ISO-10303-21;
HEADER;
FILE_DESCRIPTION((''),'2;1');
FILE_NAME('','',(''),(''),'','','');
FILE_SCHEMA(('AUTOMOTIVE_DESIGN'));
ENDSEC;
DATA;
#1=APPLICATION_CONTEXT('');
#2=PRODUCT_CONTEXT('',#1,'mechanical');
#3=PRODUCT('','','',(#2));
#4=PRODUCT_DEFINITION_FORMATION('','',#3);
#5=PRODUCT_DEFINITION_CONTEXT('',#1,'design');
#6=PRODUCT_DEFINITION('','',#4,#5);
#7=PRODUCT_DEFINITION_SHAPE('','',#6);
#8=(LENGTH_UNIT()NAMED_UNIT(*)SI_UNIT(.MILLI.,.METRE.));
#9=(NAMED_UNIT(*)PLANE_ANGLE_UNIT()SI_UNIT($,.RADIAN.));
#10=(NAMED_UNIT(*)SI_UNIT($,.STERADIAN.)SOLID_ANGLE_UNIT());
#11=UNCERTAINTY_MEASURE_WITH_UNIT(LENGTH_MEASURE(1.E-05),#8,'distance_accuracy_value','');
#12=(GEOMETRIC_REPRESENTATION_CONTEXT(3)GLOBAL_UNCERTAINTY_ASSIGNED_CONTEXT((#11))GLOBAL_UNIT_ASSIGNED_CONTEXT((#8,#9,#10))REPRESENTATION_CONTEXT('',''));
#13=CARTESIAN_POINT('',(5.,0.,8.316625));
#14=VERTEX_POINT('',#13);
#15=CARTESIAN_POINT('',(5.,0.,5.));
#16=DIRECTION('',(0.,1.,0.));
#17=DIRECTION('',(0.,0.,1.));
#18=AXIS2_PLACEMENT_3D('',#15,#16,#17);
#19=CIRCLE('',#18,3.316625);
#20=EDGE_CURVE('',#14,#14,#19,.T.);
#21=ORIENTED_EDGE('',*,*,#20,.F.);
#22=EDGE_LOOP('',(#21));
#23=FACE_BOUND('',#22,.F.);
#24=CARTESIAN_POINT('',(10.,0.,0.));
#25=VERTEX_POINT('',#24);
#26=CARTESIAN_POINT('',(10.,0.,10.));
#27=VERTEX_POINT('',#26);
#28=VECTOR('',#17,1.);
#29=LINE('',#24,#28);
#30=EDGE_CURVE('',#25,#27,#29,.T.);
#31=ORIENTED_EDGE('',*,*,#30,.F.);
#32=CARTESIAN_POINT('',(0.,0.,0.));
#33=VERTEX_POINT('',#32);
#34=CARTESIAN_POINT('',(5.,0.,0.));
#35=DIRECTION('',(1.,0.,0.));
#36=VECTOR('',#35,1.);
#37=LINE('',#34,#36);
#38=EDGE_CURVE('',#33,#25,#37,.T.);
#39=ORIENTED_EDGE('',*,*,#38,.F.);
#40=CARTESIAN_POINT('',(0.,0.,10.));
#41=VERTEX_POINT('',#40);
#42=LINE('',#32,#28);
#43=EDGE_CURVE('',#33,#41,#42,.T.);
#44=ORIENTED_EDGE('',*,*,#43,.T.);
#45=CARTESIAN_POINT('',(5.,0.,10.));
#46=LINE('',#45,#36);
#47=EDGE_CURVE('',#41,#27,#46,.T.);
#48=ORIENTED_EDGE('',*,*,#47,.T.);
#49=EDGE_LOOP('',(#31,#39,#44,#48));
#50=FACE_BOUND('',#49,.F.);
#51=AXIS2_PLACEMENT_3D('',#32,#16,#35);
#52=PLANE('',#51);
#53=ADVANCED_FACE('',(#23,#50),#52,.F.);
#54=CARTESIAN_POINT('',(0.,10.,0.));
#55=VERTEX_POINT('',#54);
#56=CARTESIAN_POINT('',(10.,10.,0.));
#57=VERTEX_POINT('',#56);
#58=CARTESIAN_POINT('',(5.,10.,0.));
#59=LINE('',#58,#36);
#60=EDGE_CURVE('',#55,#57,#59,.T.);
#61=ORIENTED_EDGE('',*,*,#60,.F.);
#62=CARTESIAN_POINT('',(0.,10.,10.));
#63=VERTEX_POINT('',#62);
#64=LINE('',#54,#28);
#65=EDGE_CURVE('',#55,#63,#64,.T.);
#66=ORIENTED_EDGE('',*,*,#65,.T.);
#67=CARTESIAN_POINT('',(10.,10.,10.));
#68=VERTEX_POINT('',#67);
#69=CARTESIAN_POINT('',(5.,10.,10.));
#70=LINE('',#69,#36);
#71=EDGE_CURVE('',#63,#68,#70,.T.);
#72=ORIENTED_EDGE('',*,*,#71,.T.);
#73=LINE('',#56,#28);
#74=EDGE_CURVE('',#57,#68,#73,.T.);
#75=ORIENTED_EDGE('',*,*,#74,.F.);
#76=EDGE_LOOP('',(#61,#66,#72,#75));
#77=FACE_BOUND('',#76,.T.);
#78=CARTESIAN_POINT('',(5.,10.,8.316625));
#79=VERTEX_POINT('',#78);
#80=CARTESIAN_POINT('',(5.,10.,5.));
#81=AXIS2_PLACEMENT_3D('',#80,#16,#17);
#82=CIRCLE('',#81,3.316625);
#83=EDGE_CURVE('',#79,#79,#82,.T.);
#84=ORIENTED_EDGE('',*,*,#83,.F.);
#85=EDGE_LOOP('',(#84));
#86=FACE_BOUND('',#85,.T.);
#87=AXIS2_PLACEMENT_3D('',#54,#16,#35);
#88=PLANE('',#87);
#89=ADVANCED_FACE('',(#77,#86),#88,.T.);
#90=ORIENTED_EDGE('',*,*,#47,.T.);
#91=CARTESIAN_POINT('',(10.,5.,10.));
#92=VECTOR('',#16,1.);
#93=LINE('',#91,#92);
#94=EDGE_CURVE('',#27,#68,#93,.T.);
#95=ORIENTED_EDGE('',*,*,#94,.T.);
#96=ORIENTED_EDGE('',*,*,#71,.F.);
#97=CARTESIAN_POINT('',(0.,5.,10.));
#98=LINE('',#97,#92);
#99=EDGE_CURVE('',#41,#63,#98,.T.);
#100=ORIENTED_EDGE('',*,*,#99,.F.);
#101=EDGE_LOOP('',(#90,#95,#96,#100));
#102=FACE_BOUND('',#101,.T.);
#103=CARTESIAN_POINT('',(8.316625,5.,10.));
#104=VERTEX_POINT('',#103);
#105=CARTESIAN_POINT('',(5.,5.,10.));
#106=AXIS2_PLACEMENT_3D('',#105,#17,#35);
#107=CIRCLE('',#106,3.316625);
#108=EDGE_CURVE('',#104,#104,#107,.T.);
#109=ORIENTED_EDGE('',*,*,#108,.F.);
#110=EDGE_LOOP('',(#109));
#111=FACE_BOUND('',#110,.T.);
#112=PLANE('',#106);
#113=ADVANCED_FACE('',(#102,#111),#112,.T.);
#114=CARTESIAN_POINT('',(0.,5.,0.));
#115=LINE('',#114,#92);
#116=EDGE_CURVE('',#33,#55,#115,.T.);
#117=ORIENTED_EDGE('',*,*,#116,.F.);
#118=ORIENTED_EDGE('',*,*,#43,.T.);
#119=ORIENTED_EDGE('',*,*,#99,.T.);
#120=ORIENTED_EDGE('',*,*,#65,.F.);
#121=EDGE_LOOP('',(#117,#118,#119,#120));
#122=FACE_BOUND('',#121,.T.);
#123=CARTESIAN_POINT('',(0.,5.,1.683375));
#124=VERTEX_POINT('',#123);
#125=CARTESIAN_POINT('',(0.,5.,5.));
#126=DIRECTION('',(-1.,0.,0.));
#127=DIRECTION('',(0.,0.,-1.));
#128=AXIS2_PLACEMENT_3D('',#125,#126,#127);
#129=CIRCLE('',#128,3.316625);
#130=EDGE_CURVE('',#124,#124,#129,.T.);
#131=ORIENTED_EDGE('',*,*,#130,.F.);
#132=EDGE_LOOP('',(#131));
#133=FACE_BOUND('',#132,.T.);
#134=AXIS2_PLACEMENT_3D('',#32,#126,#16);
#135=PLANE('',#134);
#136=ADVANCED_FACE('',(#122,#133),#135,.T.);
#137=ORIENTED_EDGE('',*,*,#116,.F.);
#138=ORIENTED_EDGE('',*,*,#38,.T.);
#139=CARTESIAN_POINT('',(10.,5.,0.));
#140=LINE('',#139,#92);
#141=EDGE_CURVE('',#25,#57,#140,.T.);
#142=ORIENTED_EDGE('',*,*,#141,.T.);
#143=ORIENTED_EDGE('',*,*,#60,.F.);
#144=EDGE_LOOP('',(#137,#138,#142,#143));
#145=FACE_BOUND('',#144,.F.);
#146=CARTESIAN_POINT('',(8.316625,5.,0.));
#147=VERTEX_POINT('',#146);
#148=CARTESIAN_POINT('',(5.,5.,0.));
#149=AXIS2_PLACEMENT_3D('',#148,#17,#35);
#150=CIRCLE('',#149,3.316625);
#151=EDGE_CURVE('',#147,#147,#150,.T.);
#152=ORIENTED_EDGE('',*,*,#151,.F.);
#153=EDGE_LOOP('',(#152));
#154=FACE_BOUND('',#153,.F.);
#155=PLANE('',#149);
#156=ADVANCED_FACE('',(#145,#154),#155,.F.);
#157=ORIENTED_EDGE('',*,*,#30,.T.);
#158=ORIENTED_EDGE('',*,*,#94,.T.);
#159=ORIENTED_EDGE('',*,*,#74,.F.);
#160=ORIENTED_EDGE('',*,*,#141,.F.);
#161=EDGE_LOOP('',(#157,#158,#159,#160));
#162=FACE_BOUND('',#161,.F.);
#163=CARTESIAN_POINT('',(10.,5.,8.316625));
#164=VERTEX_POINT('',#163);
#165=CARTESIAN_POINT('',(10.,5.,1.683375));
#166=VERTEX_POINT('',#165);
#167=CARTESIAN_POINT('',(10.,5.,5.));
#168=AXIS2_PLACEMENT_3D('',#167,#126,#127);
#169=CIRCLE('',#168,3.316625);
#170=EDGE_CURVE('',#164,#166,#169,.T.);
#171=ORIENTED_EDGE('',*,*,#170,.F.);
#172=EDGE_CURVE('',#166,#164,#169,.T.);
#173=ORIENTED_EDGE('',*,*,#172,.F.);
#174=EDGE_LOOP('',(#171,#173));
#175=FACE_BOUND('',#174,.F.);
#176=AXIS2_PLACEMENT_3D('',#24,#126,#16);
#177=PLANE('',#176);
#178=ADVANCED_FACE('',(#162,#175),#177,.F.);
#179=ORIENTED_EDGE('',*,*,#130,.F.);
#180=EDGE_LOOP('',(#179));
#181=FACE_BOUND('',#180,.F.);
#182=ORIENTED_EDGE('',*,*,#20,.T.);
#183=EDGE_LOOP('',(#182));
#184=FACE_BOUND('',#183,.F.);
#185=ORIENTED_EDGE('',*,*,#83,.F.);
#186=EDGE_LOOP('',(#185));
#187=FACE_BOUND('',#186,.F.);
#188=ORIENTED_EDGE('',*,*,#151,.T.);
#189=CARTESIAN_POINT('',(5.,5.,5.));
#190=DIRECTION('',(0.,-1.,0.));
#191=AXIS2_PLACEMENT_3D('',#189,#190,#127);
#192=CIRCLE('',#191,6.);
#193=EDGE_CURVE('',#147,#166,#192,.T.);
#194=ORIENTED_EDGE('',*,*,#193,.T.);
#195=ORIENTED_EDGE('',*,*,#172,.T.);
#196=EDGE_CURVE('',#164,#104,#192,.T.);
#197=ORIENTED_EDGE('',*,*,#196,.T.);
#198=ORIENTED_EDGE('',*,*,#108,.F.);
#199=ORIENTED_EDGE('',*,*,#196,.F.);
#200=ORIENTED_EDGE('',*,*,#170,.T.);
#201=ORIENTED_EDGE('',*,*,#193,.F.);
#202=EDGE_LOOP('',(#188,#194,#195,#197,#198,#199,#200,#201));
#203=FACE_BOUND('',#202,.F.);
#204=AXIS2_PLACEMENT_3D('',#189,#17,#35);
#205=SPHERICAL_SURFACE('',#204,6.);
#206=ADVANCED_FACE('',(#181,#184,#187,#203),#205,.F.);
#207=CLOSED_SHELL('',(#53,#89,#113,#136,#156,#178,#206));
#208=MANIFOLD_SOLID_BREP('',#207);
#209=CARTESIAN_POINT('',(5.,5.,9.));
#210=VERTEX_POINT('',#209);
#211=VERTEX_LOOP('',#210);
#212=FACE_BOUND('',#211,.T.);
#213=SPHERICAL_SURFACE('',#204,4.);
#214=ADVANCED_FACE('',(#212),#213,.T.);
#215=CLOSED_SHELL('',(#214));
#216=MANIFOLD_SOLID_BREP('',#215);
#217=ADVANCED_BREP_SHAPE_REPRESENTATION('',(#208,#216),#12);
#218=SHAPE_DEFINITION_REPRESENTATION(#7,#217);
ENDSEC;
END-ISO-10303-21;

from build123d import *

# Parameters (mm, degrees)
BOX_W     = 10
BOX_H     = 10
BOX_DEPTH = 10


with BuildPart() as sphere:
    # Sphere → Sphere (revolve)
    with BuildSketch(Plane(origin=(5, 5, 5), x_dir=(1, 0, 0), z_dir=(0, -1, 0))):
        with BuildLine():
            ThreePointArc((0, -6), (6, 0), (0, 6))
            Line((0, 6), (0, -6))
        make_face()
    revolve(axis=Axis((5, 5, 5), (0, 0, 1)))


with BuildPart() as cut:
    # Box → Box (new body)
    with BuildSketch(Plane.XY):
        with Locations((5, 5)):
            Rectangle(BOX_W, BOX_H)
    extrude(amount=BOX_DEPTH)

    # Cut: cut Sphere
    add(sphere.part, mode=Mode.SUBTRACT)


with BuildPart() as sphere001:
    # Sphere001 → Sphere001 (revolve)
    with BuildSketch(Plane(origin=(5, 5, 5), x_dir=(1, 0, 0), z_dir=(0, -1, 0))):
        with BuildLine():
            ThreePointArc((0, -4), (4, 0), (0, 4))
            Line((0, 4), (0, -4))
        make_face()
    revolve(axis=Axis((5, 5, 5), (0, 0, 1)))


solid = Compound([cut.part, sphere001.part])
